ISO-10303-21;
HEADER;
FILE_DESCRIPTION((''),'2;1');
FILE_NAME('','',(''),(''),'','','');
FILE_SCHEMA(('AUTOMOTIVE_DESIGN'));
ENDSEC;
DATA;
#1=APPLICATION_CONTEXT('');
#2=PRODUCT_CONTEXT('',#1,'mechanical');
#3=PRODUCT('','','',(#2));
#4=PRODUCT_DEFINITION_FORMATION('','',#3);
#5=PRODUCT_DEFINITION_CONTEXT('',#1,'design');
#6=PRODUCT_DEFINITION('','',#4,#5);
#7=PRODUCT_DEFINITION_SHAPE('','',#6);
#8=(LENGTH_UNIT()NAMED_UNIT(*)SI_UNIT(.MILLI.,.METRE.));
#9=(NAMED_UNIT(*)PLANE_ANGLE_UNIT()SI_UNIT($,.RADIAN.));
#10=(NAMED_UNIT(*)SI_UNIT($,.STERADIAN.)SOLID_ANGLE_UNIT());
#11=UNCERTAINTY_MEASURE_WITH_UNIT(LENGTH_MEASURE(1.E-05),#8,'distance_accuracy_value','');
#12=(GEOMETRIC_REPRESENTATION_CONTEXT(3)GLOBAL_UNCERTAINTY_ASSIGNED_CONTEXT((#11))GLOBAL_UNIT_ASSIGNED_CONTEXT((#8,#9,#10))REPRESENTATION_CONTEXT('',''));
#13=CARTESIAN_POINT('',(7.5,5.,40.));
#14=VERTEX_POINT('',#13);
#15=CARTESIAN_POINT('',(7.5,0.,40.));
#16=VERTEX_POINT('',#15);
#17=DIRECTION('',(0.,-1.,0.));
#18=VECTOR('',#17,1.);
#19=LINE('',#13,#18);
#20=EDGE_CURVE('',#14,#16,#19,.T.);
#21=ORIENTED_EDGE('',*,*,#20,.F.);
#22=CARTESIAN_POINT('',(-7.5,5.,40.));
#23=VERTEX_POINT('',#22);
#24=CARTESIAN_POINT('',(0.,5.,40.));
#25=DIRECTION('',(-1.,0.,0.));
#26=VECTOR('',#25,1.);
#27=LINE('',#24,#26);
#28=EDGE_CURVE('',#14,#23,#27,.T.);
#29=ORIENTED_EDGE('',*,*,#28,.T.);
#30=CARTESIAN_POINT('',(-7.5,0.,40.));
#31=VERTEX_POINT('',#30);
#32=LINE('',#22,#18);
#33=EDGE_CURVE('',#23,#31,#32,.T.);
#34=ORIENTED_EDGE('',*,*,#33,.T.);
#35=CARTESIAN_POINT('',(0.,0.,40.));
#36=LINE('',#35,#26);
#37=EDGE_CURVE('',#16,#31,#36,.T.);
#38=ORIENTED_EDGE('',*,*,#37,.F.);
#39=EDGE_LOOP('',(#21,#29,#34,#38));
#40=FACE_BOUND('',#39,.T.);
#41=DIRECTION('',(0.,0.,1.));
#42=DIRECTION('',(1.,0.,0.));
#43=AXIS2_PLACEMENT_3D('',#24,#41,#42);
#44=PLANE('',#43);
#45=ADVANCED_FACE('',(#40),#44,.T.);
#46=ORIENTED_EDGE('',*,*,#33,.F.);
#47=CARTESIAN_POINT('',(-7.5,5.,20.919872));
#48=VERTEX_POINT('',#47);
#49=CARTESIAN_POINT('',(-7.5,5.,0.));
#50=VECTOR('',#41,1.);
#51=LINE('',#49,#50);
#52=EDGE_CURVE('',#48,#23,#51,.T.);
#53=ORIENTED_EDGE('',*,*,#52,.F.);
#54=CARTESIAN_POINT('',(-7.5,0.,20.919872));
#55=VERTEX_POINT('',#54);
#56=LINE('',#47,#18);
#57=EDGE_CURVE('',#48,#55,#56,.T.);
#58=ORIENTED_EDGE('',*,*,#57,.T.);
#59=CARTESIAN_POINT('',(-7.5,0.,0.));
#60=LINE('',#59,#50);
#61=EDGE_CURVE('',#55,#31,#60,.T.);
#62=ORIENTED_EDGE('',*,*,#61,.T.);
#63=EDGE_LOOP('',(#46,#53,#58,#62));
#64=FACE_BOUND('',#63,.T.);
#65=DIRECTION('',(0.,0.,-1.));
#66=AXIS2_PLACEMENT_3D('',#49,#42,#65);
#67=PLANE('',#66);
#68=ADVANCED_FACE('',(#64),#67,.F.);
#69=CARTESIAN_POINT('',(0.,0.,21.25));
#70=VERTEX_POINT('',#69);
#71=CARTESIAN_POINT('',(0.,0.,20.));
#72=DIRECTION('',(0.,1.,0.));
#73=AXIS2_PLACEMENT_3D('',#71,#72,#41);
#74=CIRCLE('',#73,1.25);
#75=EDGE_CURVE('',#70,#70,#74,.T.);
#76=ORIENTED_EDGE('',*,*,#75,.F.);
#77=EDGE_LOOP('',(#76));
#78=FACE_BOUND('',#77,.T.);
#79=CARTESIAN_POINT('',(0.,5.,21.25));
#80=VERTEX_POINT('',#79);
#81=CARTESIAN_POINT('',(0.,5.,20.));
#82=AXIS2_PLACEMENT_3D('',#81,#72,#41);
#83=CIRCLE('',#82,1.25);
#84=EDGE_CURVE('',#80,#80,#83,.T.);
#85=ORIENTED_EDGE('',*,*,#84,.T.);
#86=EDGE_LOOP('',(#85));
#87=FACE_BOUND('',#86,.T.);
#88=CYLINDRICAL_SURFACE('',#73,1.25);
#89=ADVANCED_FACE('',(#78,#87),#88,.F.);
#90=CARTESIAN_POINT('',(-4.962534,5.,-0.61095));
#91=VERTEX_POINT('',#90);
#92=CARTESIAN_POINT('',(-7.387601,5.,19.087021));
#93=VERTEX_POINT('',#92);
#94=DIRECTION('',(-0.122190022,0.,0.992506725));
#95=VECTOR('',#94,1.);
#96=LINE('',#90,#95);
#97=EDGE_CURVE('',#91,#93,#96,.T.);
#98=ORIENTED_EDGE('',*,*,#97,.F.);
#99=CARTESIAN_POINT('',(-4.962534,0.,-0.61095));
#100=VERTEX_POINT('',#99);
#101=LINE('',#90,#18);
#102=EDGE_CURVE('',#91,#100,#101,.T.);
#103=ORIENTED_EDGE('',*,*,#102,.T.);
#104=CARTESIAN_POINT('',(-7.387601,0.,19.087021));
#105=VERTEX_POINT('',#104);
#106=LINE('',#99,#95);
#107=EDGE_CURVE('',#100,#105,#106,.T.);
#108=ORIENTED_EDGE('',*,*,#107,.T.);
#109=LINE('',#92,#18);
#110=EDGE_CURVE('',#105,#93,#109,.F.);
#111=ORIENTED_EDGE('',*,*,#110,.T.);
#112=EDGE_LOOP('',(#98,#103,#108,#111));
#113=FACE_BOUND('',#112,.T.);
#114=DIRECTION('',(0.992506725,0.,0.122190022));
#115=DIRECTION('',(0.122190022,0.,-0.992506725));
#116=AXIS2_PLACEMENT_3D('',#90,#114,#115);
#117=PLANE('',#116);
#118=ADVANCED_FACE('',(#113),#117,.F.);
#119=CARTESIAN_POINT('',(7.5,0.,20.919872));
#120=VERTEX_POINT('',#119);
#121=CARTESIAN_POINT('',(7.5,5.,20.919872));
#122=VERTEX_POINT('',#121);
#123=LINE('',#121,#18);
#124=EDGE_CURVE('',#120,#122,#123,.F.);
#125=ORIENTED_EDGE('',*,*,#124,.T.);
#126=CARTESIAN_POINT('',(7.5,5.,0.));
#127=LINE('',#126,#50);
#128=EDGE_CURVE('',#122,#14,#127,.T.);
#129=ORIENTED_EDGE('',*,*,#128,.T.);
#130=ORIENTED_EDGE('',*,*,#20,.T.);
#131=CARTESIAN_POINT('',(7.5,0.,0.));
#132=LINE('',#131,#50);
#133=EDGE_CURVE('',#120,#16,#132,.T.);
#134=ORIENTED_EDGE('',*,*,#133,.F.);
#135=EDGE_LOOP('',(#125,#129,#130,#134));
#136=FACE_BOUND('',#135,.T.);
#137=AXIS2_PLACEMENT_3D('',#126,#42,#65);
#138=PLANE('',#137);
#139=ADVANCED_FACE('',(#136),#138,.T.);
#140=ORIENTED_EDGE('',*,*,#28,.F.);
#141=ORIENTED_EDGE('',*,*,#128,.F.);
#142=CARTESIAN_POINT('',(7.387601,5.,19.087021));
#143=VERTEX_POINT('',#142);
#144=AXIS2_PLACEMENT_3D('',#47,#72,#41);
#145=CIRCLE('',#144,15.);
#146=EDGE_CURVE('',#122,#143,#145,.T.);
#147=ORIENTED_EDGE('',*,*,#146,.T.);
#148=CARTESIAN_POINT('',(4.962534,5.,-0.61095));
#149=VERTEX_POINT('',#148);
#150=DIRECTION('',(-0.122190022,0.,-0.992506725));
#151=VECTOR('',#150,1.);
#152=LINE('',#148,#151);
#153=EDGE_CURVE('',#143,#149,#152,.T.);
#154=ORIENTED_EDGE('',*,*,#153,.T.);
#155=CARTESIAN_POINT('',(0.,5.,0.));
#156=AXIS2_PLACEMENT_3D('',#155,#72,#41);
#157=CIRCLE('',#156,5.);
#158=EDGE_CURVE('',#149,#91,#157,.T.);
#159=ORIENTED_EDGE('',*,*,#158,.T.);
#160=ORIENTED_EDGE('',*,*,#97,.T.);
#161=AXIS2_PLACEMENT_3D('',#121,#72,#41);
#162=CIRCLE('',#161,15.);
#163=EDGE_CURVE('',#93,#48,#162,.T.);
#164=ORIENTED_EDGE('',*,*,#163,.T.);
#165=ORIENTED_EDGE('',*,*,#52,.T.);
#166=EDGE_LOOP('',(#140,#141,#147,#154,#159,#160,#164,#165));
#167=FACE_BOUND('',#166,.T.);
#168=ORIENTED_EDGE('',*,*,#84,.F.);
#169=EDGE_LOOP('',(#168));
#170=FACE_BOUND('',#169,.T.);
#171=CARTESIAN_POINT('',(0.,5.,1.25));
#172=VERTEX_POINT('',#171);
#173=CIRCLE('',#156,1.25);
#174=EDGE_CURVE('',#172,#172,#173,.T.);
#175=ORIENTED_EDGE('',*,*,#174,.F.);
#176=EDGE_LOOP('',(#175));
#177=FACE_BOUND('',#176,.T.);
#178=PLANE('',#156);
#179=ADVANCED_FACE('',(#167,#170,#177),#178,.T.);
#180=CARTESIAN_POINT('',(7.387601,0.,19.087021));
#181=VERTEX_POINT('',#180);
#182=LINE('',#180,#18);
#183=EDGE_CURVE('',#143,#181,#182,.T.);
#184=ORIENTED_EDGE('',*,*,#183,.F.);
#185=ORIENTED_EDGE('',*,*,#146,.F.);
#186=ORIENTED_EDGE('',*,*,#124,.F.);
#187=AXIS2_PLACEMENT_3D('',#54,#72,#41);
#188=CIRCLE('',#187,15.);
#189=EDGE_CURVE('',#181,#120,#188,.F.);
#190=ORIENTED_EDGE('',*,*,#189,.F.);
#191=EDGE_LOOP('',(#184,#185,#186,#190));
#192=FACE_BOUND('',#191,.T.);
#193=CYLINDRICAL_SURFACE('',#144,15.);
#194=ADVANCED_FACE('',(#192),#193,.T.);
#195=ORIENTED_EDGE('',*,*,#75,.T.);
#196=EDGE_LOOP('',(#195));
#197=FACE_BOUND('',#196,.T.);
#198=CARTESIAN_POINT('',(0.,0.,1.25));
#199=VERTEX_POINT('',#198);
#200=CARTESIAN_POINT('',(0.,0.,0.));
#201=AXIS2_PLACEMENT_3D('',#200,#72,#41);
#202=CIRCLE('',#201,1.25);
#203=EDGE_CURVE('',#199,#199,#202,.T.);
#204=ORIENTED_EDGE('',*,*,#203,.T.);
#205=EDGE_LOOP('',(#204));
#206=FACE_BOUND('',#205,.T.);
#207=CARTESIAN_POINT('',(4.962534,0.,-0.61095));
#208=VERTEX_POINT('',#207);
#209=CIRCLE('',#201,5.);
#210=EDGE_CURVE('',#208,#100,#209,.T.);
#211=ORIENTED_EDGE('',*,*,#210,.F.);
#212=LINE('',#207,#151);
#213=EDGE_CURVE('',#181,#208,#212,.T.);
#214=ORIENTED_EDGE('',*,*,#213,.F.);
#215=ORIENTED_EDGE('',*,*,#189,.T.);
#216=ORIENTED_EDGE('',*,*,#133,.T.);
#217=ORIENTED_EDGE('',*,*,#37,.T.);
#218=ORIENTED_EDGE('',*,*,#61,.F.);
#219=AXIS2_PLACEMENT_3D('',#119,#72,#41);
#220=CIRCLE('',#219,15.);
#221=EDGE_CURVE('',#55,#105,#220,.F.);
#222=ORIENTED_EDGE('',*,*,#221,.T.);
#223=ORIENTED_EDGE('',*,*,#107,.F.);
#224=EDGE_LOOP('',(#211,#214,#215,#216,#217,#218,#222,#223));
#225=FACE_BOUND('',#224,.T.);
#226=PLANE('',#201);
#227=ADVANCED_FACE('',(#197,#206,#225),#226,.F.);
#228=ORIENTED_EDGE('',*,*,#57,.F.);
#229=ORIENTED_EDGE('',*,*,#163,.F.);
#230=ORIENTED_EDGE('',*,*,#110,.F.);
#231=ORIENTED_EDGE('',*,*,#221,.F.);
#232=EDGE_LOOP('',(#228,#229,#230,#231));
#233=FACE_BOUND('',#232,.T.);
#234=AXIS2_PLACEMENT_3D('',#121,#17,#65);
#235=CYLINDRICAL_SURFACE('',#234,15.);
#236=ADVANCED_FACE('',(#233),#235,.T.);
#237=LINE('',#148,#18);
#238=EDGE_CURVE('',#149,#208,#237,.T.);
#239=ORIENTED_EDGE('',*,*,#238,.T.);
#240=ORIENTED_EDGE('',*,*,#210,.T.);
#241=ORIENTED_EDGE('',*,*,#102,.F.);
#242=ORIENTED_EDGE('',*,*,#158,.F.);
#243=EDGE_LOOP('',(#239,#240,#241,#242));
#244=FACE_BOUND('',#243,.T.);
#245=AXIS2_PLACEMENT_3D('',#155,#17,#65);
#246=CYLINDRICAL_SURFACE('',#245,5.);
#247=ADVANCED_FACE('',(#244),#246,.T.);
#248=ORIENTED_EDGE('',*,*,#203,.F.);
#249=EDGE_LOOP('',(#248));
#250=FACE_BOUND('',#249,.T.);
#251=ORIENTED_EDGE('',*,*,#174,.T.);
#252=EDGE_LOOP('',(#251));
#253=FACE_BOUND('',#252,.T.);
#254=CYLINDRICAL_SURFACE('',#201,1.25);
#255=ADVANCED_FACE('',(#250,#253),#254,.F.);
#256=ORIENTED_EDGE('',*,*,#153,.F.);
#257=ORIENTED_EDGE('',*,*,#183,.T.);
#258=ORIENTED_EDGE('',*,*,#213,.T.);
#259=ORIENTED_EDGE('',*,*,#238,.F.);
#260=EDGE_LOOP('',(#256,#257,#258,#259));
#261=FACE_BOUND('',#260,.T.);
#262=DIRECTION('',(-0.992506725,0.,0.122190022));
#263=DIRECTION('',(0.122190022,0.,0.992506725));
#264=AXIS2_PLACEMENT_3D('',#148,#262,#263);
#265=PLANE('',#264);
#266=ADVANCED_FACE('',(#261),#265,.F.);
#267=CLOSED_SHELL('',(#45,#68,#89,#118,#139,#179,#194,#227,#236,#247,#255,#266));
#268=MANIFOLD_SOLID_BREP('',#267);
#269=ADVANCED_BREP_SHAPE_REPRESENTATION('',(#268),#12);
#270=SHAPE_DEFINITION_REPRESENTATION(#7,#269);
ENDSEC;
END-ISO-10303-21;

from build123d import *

# Parameters (mm, degrees)
SKETCH1_R           = 5
BOSS_EXTRUDE1_DEPTH = 5
FILLET1_R           = 15
SKETCH2_R           = 1.25
CUT_EXTRUDE1_DEPTH  = 42.003048667


with BuildPart() as part:
    # Sketch1 → Boss-Extrude1 (new body)
    with BuildSketch(Plane(origin=(0, 0, 0), x_dir=(1, 0, 0), z_dir=(0, 1, 0))):
        with BuildLine():
            ThreePointArc((5, 0), (-0.30604892, -4.990624616), (-4.962533624, 0.610950109))
            Line((-4.962533624, 0.610950109), (-7.5, -20))
            Line((-7.5, -20), (-7.5, -40))
            Line((-7.5, -40), (7.5, -40))
            Line((7.5, -40), (7.5, -20))
            Line((7.5, -20), (4.962533624, 0.610950109))
            ThreePointArc((4.962533624, 0.610950109), (4.990624616, 0.30604892), (5, 0))
        make_face()
        Circle(SKETCH1_R)
    extrude(amount=BOSS_EXTRUDE1_DEPTH)

    # Fillet1
    fillet1_edges = [part.edges().sort_by_distance(p)[0] for p in [
        (7.5, 2.5, 20),
        (-7.5, 2.5, 20),
    ]]
    fillet(fillet1_edges, radius=FILLET1_R)

    # Sketch2 → Cut-Extrude1 (cut, through all)
    with BuildSketch(Plane(origin=(0, 5, 0), x_dir=(1, 0, 0), z_dir=(0, 1, 0))):
        with Locations(Location((0, 0, 0), (0, 0, 270))):
            Circle(SKETCH2_R)
        with Locations(Location((0, -20, 0), (0, 0, 270))):
            Circle(SKETCH2_R)
    extrude(amount=-CUT_EXTRUDE1_DEPTH, mode=Mode.SUBTRACT)


solid = part.part
